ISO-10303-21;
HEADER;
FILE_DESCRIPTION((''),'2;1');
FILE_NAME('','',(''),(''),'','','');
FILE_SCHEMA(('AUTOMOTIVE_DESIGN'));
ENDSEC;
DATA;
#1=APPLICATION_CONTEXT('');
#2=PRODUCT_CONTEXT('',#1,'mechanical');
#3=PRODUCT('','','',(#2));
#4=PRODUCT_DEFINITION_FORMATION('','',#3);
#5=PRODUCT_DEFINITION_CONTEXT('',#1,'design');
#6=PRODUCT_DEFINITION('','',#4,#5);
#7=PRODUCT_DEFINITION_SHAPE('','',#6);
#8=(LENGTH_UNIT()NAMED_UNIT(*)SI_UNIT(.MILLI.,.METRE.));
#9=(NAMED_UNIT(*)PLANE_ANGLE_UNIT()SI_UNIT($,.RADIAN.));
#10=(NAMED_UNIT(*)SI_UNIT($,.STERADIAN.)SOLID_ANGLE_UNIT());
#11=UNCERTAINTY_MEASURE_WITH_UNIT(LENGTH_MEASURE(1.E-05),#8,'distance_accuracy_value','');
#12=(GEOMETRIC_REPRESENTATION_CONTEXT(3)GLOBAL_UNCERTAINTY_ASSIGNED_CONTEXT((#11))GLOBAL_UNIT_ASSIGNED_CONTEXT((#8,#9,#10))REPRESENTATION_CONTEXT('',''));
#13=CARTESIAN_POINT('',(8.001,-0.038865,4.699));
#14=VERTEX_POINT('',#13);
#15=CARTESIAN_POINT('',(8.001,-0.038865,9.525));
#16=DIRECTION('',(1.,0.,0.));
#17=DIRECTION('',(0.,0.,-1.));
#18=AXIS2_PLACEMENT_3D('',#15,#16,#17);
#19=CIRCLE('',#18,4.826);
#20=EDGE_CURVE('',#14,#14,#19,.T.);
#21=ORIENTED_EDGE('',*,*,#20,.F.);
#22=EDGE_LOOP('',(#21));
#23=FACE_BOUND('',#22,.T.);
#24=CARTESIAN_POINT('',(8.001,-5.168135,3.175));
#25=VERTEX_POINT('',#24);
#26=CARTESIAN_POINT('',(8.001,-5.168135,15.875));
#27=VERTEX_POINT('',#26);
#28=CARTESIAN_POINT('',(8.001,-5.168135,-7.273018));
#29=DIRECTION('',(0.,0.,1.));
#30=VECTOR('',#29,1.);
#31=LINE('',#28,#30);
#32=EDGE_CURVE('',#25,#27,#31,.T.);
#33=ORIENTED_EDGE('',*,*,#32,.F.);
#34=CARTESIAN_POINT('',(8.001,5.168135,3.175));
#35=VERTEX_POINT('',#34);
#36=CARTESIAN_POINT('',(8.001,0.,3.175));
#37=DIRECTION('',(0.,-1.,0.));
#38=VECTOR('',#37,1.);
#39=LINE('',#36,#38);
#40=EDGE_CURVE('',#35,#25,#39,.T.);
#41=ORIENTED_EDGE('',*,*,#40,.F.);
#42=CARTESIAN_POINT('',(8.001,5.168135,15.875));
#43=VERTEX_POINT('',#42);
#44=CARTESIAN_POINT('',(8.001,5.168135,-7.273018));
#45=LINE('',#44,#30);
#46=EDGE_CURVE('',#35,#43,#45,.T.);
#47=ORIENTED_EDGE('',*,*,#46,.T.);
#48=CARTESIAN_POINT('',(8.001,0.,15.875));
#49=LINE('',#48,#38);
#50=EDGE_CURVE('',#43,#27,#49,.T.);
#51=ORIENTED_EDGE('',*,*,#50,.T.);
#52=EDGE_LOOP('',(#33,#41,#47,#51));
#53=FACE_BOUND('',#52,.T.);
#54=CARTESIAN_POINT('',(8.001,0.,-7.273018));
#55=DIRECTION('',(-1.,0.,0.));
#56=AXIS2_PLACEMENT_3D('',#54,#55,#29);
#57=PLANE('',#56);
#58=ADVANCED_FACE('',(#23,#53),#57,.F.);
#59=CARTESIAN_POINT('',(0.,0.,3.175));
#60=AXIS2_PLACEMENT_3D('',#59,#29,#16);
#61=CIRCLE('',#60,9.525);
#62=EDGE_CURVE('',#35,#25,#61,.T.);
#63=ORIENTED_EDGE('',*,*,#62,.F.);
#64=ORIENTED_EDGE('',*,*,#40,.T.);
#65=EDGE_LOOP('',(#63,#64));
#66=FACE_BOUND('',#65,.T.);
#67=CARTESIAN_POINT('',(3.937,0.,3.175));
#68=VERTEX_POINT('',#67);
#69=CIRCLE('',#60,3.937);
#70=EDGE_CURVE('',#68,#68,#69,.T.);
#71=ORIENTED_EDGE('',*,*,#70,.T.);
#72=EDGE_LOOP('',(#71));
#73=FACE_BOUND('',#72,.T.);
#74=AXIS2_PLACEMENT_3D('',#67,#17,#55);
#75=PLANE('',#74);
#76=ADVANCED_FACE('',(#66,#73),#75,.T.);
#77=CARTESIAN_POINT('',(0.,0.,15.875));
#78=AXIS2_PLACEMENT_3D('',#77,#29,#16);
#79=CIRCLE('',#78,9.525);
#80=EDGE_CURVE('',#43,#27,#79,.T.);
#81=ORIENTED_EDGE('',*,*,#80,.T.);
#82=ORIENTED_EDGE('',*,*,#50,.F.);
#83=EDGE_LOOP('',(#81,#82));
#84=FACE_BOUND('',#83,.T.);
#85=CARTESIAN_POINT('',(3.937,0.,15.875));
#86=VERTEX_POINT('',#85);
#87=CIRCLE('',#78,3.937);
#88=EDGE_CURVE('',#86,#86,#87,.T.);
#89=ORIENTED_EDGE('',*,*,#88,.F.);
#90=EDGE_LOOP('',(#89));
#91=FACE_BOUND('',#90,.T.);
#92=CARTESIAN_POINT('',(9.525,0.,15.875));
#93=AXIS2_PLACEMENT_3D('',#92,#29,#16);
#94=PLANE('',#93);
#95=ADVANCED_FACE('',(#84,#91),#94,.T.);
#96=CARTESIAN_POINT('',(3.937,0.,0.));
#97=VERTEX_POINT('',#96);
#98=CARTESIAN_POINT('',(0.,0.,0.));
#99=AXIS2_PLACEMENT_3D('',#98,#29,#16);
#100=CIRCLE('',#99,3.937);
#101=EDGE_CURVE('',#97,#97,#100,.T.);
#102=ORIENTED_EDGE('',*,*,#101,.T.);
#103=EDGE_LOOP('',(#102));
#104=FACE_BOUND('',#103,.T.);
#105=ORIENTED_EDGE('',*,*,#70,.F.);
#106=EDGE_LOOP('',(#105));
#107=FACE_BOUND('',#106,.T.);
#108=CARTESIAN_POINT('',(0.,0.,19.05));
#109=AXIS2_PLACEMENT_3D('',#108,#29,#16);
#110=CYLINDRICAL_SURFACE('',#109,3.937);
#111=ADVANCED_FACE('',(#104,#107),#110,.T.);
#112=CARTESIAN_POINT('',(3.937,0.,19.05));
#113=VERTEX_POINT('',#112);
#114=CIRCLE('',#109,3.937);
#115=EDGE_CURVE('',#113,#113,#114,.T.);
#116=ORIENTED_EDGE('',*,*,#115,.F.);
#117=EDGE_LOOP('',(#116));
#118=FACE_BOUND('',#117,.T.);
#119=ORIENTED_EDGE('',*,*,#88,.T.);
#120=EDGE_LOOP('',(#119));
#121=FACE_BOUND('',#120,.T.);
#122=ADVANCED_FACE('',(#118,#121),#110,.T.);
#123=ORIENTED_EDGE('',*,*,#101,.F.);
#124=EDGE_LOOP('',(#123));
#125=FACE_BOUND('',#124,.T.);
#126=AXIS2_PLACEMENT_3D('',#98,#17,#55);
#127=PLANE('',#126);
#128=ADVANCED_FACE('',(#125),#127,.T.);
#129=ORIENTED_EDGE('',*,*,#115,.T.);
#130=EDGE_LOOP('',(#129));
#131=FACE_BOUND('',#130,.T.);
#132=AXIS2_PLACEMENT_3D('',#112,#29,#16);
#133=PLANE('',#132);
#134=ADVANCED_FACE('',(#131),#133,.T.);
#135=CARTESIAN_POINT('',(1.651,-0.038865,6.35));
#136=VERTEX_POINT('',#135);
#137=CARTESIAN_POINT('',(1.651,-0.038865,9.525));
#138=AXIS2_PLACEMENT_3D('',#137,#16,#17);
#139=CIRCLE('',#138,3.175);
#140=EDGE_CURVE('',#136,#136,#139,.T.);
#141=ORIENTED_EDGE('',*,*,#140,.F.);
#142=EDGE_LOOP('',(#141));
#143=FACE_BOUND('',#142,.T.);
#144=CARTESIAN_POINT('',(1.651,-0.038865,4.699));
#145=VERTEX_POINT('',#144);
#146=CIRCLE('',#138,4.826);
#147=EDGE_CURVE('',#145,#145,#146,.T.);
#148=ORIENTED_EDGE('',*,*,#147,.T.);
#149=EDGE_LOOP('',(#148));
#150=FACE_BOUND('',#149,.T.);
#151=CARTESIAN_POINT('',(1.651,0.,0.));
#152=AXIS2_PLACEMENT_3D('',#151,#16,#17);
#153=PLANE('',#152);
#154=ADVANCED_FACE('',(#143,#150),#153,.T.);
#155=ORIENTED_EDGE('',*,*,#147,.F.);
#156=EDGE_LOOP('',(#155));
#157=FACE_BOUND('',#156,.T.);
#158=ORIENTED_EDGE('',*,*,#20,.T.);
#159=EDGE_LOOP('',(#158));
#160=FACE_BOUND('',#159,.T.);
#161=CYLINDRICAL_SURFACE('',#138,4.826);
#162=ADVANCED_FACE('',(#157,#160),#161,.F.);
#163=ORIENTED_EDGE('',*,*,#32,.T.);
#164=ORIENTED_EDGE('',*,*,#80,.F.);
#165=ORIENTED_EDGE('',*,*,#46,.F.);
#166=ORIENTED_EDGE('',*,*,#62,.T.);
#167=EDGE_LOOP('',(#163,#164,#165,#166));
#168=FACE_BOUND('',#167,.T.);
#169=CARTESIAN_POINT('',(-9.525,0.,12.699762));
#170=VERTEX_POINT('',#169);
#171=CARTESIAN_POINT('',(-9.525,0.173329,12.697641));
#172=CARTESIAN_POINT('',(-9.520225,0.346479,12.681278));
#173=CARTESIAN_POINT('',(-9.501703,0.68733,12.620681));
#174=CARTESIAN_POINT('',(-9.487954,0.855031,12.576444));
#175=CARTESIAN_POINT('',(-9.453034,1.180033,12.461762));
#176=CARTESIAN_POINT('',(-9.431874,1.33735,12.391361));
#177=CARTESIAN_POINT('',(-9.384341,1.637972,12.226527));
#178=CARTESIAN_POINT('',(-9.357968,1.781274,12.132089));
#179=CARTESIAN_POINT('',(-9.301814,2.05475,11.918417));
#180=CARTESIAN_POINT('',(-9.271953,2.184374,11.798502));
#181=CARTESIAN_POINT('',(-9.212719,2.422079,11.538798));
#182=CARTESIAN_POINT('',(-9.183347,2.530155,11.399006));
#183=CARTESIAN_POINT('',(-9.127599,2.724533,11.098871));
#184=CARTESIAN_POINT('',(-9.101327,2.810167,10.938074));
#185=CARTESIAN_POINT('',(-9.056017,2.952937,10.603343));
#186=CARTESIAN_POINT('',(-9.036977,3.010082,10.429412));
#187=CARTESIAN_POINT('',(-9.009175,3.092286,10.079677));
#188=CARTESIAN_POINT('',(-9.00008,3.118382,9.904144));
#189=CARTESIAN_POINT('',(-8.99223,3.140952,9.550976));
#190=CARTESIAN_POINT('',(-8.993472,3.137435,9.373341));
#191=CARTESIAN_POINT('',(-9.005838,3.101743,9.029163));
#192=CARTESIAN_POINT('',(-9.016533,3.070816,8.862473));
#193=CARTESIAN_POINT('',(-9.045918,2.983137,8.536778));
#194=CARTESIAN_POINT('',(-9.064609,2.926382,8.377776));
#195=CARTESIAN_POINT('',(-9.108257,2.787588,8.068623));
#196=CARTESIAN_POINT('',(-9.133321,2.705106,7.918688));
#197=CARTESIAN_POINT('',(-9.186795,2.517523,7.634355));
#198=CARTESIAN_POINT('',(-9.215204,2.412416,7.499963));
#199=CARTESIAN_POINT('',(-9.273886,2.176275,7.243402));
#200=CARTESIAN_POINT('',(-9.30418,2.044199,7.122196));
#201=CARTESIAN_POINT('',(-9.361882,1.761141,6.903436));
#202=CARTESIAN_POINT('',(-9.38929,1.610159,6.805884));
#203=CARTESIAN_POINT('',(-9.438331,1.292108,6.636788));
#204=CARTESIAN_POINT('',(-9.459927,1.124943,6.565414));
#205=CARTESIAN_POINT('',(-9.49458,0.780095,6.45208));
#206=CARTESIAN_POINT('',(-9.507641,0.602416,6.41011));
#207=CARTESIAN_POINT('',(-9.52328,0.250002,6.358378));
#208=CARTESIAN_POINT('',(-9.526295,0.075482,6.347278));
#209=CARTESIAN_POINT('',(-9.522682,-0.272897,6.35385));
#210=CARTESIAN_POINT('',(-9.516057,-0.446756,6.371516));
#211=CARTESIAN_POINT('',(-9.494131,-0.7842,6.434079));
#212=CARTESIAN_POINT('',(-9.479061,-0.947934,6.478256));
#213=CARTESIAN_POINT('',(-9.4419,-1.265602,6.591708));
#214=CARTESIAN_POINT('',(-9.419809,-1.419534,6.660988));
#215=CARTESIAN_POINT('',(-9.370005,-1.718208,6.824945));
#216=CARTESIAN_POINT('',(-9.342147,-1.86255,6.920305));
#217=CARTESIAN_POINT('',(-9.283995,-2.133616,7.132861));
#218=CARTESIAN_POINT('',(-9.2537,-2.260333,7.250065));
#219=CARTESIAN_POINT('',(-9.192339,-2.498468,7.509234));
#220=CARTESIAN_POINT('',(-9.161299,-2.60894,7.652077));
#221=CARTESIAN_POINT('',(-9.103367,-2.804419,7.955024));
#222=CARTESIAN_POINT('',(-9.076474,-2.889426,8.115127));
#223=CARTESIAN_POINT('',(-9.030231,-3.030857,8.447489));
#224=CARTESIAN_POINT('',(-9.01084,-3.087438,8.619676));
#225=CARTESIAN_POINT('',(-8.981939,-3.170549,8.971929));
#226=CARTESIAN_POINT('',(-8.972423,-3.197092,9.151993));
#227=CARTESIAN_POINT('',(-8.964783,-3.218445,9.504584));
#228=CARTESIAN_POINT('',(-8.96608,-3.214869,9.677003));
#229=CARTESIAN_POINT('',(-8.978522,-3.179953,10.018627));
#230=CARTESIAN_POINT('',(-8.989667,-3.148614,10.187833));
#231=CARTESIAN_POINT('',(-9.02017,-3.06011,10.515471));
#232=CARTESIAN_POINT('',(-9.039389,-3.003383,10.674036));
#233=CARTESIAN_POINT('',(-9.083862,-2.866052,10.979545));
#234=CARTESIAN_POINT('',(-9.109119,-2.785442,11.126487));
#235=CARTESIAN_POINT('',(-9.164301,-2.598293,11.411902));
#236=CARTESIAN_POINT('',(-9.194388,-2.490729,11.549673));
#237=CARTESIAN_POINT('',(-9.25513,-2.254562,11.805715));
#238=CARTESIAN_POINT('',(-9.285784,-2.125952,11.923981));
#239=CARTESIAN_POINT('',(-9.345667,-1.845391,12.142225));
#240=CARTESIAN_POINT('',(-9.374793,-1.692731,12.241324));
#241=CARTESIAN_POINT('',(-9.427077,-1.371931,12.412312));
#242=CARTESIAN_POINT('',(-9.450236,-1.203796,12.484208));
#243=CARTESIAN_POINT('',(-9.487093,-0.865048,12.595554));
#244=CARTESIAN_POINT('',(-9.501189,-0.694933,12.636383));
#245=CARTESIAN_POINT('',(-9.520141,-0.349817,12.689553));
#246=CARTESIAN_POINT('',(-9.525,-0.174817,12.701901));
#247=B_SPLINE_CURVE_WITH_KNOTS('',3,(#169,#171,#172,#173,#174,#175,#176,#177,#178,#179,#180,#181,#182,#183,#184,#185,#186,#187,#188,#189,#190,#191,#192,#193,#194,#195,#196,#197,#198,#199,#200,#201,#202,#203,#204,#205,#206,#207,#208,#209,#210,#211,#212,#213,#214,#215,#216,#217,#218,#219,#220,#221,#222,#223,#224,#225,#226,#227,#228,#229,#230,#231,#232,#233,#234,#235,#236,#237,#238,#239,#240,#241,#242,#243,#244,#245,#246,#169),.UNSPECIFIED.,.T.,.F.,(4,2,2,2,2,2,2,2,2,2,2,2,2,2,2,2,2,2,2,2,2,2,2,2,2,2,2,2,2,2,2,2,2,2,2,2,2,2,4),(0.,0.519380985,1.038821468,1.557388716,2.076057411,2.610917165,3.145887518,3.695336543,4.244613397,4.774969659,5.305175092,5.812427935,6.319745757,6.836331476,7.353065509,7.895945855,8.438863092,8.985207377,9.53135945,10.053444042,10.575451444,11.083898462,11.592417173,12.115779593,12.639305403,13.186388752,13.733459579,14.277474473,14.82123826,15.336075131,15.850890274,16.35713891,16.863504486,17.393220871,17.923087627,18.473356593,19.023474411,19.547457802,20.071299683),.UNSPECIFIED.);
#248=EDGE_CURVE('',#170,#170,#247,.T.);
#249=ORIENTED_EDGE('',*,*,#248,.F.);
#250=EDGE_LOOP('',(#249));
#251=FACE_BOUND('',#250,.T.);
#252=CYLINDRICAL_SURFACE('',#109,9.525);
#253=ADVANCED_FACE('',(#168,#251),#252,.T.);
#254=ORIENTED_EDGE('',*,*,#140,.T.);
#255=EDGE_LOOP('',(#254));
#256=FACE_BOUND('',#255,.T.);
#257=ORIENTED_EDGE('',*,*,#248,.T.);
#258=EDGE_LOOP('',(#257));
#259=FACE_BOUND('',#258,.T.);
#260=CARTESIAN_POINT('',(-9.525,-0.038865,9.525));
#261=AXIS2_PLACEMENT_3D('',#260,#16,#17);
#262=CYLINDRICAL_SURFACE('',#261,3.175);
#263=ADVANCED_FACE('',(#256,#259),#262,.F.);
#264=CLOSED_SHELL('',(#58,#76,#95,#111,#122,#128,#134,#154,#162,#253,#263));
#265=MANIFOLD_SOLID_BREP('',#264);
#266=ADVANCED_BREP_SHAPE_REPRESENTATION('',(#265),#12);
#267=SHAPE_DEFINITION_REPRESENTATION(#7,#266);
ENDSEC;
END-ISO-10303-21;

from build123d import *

# Parameters (mm, degrees)
CUT_EXTRUDE1_DEPTH = 12.7
SKETCH3_R          = 3.175
CUT_EXTRUDE2_DEPTH = 28.582400204
SKETCH3_3_R        = 4.826
SKETCH3_3_R_2      = 3.175
CUT_EXTRUDE3_DEPTH = 6.35


with BuildPart() as part:
    # Sketch1 → Revolve1 (revolve)
    with BuildSketch(Plane(origin=(0, 0, 0), x_dir=(1, 0, 0), z_dir=(0, 1, 0))):
        Polygon((0, 0), (3.937, 0), (3.937, -3.175), (9.525, -3.175), (9.525, -15.875), (3.937, -15.875), (3.937, -19.05), (0, -19.05), align=None)
    revolve(axis=Axis((0, 0, 19.05), (0, 0, -1)))

    # Sketch2 → Cut-Extrude1 (cut)
    with BuildSketch(Plane.XY.offset(15.875)):
        Polygon((8.001, 60.908660379), (8.001, 5.168135447), (8.001, 0), (8.001, -5.168135447), (8.001, -60.908660379), (119.482049864, -60.908660379), (119.482049864, 60.908660379), align=None)
    extrude(amount=-CUT_EXTRUDE1_DEPTH, mode=Mode.SUBTRACT)

    # Sketch3 → Cut-Extrude2 (cut, through all)
    with BuildSketch(Plane(origin=(8.001, 0, 0), x_dir=(0, 0, -1), z_dir=(1, 0, 0))):
        with Locations((-9.525, -0.038864553)):
            Circle(SKETCH3_R)
    extrude(amount=-CUT_EXTRUDE2_DEPTH, mode=Mode.SUBTRACT)

    # Sketch3<3> → Cut-Extrude3 (cut)
    with BuildSketch(Plane(origin=(8.001, 0, 0), x_dir=(0, 0, -1), z_dir=(1, 0, 0))):
        with Locations((-9.525, -0.038864553)):
            Circle(SKETCH3_3_R)
        with Locations((-9.525, -0.038864553)):
            Circle(SKETCH3_3_R_2, mode=Mode.SUBTRACT)
    extrude(amount=-CUT_EXTRUDE3_DEPTH, mode=Mode.SUBTRACT)


solid = part.part
